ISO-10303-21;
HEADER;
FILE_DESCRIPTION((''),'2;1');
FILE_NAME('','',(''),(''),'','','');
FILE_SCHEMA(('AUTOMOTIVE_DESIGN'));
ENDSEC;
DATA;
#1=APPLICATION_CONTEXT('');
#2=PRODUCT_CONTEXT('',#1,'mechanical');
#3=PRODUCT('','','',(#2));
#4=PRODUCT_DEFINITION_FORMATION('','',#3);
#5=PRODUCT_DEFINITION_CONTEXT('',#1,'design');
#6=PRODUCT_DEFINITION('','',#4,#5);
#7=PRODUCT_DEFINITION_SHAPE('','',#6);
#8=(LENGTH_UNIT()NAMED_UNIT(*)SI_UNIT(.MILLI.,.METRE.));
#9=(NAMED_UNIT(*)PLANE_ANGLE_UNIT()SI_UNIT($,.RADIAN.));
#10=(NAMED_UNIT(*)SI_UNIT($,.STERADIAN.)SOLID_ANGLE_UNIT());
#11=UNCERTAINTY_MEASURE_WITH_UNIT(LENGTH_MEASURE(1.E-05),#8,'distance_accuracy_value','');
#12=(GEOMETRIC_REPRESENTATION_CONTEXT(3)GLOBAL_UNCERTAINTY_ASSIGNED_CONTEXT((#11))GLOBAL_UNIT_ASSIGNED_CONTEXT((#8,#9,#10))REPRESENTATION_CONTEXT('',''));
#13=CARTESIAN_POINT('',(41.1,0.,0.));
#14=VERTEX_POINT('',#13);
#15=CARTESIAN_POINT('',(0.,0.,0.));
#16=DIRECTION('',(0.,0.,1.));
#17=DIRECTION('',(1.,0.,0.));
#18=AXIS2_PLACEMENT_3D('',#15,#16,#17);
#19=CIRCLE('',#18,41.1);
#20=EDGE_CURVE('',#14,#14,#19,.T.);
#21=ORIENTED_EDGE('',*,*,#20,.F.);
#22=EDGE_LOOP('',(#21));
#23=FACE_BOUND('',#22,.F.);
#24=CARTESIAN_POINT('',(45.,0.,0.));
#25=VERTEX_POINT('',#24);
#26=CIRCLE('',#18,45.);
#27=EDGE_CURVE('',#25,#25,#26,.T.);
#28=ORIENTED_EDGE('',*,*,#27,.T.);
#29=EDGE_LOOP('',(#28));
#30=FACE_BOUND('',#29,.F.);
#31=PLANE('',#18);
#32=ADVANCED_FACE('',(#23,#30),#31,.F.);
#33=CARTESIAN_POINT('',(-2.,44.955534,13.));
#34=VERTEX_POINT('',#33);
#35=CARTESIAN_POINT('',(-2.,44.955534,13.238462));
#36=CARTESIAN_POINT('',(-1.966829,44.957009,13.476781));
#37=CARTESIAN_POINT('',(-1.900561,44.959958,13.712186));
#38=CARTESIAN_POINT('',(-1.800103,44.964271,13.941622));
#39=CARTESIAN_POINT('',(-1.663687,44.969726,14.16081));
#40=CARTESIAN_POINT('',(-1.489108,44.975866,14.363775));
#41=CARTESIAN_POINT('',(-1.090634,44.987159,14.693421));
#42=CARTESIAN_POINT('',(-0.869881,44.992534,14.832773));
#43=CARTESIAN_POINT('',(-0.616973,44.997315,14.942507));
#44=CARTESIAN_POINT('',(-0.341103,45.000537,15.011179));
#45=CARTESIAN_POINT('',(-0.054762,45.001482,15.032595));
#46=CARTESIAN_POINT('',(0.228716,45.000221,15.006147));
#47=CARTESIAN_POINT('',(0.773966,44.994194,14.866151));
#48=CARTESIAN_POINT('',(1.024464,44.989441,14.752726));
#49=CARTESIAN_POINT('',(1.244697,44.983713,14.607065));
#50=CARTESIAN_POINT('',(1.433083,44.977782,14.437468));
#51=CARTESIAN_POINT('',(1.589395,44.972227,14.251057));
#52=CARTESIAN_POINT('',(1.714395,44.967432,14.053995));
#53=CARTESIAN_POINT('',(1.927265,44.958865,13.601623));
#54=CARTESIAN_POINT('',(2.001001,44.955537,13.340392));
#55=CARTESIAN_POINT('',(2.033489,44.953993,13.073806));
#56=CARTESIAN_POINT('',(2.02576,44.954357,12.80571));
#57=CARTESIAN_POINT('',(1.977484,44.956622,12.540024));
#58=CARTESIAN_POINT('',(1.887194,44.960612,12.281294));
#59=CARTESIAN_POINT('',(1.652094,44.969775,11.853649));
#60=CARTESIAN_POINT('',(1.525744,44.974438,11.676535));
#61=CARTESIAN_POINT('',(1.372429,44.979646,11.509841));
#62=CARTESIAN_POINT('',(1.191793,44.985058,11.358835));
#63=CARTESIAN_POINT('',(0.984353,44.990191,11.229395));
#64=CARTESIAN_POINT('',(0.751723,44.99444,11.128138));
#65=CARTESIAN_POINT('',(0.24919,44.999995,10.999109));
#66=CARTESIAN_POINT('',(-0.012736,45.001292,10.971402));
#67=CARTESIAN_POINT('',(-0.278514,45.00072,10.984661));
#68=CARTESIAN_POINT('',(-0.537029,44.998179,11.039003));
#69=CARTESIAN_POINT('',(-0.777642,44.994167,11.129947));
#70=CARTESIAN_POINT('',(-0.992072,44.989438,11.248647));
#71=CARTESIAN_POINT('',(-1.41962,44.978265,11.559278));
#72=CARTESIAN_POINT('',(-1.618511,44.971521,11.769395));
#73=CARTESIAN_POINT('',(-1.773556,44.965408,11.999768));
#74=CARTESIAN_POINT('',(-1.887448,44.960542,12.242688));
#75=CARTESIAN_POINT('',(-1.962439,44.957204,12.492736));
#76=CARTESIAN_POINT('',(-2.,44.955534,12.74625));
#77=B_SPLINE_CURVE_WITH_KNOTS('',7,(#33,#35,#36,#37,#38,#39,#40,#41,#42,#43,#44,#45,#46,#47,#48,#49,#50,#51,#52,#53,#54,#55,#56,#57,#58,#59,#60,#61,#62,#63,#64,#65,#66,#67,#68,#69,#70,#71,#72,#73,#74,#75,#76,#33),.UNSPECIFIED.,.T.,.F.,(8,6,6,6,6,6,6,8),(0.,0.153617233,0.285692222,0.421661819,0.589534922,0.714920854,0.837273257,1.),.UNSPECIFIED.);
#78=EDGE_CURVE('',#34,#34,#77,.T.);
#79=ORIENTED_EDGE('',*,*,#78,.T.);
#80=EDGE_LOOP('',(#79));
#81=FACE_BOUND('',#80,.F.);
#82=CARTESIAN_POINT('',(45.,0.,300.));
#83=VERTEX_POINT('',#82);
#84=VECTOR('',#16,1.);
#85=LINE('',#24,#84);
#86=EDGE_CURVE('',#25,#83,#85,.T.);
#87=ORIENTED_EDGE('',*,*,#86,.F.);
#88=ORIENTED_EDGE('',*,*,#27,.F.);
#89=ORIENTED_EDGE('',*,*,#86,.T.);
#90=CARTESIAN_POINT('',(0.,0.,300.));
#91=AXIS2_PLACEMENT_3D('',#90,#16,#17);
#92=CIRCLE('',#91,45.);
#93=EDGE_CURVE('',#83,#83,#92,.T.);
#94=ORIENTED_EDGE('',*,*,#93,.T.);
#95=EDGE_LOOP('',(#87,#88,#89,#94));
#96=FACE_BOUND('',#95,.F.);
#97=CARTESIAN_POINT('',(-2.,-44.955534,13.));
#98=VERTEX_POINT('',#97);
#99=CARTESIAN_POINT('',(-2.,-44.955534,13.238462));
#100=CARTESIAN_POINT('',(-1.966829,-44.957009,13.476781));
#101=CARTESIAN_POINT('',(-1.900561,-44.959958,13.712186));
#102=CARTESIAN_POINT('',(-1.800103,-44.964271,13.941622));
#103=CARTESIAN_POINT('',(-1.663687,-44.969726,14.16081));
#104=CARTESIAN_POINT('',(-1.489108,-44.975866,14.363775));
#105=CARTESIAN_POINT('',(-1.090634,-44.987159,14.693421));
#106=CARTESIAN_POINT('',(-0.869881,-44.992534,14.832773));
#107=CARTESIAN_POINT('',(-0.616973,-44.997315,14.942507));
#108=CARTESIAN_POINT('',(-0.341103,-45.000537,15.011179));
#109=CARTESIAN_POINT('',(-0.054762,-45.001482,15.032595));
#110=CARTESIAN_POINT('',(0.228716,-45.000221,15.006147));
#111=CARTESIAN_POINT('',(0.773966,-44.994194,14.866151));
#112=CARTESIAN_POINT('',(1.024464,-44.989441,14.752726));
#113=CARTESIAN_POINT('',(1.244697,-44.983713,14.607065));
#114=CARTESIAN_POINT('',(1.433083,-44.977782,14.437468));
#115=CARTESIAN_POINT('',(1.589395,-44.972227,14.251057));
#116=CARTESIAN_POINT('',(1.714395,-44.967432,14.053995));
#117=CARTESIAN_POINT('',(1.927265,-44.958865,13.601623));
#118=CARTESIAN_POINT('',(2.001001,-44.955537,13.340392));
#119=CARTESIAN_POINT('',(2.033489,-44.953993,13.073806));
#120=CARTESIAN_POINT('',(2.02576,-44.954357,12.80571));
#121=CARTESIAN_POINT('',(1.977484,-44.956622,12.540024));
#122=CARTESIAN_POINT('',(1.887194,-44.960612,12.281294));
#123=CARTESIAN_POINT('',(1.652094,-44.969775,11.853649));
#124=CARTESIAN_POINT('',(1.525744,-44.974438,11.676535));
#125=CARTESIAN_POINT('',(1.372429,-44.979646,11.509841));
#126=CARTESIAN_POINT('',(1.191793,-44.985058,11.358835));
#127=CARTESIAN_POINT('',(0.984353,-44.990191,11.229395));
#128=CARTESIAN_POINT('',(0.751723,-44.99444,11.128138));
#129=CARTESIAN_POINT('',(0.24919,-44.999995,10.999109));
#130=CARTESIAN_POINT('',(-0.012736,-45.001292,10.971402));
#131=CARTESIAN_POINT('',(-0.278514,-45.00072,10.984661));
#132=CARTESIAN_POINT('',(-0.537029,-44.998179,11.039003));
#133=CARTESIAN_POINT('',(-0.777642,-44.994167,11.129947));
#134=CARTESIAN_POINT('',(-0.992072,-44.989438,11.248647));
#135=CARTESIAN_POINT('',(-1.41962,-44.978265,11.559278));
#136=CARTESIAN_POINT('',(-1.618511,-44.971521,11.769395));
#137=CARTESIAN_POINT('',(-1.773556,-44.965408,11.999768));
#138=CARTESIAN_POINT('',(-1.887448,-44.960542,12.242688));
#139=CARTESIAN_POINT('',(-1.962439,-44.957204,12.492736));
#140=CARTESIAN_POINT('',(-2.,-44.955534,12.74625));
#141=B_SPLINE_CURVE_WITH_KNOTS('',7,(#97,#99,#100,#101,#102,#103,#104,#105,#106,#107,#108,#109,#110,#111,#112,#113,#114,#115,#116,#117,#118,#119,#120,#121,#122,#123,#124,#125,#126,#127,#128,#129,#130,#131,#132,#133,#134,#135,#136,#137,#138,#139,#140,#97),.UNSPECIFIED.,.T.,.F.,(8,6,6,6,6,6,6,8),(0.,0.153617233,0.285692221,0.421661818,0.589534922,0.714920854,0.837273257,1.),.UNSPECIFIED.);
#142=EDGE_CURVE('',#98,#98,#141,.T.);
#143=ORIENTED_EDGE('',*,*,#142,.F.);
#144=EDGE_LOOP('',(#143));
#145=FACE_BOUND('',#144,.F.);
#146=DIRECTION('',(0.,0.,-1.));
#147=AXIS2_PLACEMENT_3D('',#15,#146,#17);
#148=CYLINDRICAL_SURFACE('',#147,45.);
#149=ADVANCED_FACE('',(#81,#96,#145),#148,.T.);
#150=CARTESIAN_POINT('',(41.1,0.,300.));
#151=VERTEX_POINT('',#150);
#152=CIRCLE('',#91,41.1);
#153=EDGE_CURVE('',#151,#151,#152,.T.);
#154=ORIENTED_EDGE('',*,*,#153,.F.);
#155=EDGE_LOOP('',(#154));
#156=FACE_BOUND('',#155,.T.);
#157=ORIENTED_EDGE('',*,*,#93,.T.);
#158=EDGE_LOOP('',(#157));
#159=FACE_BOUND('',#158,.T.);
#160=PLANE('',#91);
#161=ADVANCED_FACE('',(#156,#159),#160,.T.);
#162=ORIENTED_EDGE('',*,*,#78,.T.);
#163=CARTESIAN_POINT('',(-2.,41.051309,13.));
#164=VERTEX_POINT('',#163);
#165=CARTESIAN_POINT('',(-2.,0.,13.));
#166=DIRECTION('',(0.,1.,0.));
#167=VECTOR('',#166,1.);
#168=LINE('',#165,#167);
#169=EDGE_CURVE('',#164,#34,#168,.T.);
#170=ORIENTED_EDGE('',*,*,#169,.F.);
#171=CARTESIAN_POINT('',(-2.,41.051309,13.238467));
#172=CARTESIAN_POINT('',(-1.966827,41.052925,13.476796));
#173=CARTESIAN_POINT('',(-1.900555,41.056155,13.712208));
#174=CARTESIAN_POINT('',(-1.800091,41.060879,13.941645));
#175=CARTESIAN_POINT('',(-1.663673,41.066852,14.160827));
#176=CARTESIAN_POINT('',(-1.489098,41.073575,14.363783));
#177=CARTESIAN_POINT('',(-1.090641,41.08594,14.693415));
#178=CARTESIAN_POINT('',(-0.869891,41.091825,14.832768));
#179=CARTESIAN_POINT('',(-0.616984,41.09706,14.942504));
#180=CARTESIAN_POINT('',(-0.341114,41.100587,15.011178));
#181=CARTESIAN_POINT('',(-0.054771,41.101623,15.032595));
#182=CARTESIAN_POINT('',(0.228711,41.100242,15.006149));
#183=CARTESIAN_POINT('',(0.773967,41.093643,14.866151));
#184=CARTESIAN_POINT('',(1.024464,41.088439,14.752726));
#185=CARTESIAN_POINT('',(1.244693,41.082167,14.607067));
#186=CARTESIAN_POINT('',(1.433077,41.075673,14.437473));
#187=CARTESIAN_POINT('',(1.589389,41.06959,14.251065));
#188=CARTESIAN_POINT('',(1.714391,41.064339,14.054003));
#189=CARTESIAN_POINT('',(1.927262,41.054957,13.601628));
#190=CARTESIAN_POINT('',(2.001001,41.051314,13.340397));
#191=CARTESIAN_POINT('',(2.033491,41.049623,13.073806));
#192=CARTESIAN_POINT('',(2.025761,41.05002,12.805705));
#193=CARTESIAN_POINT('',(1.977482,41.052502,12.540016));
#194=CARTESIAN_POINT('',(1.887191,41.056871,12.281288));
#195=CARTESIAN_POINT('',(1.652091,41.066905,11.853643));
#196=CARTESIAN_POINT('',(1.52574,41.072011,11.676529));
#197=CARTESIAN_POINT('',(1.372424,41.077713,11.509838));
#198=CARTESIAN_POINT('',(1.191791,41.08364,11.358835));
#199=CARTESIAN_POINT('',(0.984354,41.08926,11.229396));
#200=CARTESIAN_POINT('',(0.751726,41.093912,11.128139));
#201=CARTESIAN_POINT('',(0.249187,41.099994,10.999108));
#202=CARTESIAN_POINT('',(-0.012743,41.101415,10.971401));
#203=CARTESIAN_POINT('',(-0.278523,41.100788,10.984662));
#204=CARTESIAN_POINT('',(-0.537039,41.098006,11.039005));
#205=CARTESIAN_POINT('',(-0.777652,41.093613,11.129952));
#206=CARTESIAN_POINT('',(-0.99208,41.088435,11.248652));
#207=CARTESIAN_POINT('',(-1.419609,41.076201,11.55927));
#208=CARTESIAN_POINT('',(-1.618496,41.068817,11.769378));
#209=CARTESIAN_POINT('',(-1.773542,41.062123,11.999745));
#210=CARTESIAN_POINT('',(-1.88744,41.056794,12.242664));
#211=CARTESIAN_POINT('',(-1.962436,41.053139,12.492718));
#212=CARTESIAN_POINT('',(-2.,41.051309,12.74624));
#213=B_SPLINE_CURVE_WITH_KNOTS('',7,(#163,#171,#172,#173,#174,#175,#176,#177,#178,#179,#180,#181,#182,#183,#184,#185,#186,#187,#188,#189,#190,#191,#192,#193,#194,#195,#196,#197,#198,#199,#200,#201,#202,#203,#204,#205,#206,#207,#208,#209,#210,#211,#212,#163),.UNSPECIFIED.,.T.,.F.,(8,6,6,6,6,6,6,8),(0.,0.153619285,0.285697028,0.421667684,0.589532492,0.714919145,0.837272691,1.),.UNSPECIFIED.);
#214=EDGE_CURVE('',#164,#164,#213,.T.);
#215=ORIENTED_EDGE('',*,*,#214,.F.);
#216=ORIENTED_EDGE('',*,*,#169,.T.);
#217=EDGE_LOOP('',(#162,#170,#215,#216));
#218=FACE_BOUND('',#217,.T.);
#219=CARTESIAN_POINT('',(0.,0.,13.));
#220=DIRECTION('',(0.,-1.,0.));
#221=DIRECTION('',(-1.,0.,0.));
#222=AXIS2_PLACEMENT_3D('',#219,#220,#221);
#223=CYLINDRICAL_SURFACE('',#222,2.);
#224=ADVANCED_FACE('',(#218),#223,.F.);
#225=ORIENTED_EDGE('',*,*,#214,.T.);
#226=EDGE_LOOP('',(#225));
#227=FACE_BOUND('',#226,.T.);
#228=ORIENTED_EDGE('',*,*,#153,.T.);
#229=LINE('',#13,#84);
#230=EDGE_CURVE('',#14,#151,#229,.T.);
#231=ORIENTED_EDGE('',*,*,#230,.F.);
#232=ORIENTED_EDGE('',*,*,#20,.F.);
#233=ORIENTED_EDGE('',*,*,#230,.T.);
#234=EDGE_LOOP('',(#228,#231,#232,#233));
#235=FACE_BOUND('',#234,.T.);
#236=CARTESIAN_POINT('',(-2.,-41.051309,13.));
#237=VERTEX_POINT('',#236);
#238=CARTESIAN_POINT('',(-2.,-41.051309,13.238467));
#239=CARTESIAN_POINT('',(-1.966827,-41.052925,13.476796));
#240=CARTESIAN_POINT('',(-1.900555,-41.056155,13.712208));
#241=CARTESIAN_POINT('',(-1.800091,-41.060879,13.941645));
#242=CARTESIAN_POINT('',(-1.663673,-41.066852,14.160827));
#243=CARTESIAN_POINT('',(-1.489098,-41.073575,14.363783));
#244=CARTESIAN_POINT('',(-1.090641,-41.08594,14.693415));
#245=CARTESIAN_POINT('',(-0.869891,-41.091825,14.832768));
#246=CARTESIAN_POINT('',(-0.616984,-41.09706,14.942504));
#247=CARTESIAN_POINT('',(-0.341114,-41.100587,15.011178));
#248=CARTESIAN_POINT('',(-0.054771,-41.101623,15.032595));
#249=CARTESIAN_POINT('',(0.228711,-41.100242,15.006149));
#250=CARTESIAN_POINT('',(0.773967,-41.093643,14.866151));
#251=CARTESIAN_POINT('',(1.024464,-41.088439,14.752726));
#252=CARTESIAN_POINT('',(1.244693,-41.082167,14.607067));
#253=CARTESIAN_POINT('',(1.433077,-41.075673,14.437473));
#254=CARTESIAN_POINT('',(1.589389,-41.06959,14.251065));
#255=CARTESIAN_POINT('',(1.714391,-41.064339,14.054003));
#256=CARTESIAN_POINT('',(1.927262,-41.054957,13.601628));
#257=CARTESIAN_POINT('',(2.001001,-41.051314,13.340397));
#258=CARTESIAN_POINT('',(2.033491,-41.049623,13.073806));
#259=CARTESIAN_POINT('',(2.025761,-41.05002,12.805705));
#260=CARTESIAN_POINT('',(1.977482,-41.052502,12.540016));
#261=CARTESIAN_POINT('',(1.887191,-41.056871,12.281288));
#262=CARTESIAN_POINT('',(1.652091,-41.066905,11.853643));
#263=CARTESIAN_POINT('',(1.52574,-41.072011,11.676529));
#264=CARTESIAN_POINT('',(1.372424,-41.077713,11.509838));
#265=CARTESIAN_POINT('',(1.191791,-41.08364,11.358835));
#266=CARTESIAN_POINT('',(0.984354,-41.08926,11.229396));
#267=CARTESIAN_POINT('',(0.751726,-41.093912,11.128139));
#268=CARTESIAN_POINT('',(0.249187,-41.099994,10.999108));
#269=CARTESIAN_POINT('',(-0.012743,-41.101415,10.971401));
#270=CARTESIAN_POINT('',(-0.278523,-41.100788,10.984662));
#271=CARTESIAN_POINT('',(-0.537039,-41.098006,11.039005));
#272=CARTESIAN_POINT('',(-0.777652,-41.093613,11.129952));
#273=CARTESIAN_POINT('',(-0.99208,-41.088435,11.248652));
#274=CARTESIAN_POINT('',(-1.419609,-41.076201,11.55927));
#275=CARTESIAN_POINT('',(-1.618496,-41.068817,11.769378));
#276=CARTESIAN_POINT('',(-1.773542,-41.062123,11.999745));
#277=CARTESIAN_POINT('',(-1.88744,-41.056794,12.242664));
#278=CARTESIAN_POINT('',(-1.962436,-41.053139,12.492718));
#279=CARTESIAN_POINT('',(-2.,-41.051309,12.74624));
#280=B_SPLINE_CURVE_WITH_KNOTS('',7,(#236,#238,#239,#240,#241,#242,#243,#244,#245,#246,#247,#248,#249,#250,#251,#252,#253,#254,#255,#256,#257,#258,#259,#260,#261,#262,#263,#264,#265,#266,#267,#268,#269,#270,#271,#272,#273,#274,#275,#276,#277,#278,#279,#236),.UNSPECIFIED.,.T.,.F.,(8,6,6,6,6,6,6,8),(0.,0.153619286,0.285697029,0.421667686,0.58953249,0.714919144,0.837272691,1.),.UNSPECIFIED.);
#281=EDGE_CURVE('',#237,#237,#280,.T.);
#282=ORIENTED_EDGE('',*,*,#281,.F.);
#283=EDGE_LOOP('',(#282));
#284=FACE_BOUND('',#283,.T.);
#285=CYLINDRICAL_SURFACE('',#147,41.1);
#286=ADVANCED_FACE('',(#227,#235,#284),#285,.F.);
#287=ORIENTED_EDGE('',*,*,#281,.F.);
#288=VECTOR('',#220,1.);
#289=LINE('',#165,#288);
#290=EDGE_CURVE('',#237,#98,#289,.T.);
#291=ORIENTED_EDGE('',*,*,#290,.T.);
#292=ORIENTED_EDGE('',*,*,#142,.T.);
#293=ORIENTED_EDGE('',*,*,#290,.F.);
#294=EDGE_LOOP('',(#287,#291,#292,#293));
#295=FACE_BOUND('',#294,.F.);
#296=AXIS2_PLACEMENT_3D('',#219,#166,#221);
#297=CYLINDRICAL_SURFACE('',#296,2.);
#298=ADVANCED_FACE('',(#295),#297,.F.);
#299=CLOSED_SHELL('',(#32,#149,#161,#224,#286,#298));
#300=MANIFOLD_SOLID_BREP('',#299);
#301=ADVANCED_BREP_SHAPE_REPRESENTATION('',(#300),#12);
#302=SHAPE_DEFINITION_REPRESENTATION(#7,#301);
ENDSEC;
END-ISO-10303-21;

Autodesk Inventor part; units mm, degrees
ref_plane "YZ Plane" through (0, 0, 0) normal (1, 0, 0) x (0, 1, 0)
ref_plane "XZ Plane" through (0, 0, 0) normal (0, 1, 0) x (-1, 0, 0)
ref_plane "XY Plane" through (0, 0, 0) normal (0, 0, 1) x (1, 0, 0)
sketch "Sketch1" plane through (0, 0, 0) normal (0, 0, 1) x (1, 0, 0)
  circle A0 centre (0, 0) radius 45
  circle A1 centre (0, 0) radius 41.1
  dimension "d0" = 90
  dimension "d1" = 82.2
extrude "Extrusion1" add sketch "Sketch1" along normal blind 300
sketch "Sketch2" plane through (0, 0, 0) normal (0, 1, 0) x (-1, 0, 0)
  circle A0 centre (0, 13) radius 2
  line L0 (-45, 0) -> (45, 0) projected
  point P0 (0, 0)
  dimension "d4" = 4
  dimension "d5" = 13
extrude "Extrusion2" cut sketch "Sketch2" along normal mid plane 100
properties part number "Sleeve_initial"
